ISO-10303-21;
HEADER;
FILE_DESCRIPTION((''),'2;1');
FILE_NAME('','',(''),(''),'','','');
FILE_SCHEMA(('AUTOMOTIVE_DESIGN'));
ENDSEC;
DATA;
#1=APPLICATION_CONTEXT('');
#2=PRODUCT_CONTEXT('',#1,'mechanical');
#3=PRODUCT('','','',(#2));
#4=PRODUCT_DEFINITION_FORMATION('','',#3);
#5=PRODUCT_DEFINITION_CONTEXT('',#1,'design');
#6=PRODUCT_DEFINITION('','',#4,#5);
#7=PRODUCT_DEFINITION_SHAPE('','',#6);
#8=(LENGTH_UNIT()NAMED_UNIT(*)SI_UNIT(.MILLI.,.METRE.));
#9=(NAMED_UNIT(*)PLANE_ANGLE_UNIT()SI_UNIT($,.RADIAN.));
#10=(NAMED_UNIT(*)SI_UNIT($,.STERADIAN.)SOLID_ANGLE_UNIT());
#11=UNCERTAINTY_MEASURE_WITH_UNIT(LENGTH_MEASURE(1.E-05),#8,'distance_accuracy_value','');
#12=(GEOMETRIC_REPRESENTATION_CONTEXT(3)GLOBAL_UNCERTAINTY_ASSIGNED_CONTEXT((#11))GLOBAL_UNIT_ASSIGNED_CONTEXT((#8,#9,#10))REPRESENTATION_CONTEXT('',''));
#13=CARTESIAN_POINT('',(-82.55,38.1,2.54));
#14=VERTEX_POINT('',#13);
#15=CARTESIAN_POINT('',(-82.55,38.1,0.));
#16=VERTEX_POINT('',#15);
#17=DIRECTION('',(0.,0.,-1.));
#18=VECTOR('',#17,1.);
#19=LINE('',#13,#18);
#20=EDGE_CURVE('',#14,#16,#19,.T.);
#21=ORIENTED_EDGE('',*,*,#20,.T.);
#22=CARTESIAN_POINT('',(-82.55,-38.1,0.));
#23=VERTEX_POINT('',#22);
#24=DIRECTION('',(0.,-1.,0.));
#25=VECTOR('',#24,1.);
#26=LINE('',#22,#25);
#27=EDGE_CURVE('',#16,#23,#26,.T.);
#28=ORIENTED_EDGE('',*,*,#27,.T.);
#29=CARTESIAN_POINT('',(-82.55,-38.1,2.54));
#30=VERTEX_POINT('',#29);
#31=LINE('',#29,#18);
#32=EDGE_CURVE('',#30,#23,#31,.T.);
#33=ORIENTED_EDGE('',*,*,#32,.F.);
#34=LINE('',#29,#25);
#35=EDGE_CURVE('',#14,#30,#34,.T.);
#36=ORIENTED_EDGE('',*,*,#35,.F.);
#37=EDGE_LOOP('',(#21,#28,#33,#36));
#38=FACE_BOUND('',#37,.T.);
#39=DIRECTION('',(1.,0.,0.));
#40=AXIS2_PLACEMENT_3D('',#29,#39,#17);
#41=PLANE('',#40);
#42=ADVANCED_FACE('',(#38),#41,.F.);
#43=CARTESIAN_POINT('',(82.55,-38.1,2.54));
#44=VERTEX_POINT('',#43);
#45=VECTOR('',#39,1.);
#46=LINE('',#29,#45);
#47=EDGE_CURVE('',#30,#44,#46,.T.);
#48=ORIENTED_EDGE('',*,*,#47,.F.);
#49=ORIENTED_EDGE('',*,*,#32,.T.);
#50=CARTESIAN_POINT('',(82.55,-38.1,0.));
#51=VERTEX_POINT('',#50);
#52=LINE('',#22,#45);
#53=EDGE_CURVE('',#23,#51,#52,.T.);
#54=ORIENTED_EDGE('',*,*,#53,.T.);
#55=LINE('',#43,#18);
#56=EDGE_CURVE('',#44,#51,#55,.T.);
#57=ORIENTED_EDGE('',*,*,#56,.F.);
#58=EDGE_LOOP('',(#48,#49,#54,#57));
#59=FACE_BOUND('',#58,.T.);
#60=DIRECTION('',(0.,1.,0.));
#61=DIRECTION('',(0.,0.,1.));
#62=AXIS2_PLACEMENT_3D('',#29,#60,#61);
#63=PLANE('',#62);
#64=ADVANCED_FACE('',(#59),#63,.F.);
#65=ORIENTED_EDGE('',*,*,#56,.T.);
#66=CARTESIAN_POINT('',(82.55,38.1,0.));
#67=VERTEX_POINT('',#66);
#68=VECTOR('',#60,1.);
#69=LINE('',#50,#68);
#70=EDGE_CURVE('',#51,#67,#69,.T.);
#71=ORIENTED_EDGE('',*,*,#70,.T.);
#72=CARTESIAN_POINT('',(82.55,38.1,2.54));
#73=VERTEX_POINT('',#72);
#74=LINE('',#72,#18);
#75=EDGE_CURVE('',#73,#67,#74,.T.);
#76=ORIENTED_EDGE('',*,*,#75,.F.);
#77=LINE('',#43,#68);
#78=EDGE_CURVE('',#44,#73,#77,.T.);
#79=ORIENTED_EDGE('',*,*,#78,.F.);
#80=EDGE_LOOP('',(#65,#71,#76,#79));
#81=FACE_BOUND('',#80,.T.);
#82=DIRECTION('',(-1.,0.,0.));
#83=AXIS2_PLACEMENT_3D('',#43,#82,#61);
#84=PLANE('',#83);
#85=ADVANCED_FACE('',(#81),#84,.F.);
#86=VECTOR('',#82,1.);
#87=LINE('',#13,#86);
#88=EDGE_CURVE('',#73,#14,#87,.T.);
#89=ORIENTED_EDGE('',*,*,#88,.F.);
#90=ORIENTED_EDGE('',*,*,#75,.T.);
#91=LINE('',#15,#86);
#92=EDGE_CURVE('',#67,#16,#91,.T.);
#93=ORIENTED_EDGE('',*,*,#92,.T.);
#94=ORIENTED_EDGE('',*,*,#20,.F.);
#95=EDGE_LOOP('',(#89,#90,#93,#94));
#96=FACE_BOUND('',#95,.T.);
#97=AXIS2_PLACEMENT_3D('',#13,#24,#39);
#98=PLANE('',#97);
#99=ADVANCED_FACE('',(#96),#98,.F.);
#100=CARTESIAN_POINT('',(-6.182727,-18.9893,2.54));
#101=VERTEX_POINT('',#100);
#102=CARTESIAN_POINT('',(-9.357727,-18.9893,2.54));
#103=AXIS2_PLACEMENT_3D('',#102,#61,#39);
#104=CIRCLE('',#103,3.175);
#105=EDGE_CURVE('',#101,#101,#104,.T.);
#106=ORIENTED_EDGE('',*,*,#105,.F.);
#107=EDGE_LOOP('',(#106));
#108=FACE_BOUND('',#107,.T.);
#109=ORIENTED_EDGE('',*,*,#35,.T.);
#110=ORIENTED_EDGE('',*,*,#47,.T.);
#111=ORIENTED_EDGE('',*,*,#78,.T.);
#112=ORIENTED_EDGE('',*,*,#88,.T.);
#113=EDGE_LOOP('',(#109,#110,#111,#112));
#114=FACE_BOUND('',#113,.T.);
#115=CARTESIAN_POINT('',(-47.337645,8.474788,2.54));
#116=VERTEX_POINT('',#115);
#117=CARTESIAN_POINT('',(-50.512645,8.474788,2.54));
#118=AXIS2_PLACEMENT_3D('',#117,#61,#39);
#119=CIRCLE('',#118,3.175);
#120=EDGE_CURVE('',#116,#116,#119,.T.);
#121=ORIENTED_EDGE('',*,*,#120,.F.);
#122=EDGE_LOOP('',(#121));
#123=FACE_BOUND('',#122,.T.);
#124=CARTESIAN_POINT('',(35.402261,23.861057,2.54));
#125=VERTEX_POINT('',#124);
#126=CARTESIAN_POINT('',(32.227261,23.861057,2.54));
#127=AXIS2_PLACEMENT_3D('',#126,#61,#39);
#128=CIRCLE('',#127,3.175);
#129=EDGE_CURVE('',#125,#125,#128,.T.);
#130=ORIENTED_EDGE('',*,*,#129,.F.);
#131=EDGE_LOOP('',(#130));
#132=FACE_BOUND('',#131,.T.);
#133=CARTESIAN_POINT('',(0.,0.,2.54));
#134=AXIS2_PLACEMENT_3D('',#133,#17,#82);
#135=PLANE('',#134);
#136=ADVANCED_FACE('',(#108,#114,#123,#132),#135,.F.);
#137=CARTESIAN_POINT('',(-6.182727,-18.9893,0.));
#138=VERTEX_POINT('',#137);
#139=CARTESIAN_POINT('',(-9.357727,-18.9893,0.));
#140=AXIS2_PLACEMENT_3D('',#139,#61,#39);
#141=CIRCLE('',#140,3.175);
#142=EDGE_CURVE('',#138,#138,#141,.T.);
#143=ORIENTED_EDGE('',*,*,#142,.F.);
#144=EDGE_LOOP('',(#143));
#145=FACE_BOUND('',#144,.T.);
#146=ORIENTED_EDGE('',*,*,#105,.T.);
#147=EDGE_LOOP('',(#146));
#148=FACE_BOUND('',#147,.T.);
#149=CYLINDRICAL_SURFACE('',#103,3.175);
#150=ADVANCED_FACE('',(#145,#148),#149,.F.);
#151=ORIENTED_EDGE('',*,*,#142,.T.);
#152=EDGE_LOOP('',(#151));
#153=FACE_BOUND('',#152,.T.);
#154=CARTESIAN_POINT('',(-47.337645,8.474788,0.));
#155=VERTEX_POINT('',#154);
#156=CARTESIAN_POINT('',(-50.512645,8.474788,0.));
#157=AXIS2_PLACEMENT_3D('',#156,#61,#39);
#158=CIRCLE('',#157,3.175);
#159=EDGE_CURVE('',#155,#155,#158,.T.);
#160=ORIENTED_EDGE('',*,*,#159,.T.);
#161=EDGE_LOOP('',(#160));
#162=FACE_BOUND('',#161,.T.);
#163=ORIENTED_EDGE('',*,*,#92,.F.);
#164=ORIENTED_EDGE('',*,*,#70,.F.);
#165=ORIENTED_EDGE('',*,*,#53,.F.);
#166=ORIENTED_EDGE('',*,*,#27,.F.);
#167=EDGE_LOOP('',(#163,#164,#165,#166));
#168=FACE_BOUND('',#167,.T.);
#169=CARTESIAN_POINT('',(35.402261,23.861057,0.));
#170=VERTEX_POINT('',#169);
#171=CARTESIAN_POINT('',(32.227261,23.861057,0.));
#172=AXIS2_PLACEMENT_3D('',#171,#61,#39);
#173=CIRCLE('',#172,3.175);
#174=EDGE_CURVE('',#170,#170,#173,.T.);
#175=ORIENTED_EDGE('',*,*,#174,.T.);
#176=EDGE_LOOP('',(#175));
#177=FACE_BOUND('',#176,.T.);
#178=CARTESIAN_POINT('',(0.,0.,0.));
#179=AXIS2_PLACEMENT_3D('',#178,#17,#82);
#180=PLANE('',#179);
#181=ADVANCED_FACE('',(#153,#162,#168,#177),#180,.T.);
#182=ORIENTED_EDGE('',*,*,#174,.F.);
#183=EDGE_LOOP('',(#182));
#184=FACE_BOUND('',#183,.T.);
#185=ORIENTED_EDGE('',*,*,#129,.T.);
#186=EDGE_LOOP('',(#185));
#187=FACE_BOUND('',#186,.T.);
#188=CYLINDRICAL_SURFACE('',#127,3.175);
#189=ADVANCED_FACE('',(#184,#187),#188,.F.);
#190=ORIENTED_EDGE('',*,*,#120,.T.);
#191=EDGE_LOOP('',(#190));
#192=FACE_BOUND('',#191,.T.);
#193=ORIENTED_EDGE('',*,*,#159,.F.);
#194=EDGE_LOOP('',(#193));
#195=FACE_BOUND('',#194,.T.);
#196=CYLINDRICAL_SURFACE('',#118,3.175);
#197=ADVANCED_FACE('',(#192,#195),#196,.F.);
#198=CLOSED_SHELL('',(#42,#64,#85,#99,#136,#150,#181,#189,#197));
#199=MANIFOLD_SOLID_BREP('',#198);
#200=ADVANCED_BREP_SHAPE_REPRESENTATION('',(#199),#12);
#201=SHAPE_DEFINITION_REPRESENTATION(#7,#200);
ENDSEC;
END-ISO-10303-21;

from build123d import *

# Parameters (mm, degrees)
SKETCH1_W                  = 165.1
SKETCH1_H                  = 76.2
BOSS_EXTRUDE1_DEPTH        = 2.54
F_1_4_0_2500_DOWEL_HOLE1_D = 6.35


with BuildPart() as part:
    # Sketch1 → Boss-Extrude1 (new body)
    with BuildSketch(Plane.XY):
        Rectangle(SKETCH1_W, SKETCH1_H)
    extrude(amount=BOSS_EXTRUDE1_DEPTH)

    # 1/4 (0.2500) Dowel Hole1 (through all)
    with Locations(Plane(origin=(-50.512645238, 8.474787733, 2.54), x_dir=(1, 0, 0), z_dir=(0, 0, 1))):
        with Locations((0, 0), (41.154917852, -27.464087264), (82.739905764, 15.386269222)):
            Hole(F_1_4_0_2500_DOWEL_HOLE1_D / 2)


solid = part.part
